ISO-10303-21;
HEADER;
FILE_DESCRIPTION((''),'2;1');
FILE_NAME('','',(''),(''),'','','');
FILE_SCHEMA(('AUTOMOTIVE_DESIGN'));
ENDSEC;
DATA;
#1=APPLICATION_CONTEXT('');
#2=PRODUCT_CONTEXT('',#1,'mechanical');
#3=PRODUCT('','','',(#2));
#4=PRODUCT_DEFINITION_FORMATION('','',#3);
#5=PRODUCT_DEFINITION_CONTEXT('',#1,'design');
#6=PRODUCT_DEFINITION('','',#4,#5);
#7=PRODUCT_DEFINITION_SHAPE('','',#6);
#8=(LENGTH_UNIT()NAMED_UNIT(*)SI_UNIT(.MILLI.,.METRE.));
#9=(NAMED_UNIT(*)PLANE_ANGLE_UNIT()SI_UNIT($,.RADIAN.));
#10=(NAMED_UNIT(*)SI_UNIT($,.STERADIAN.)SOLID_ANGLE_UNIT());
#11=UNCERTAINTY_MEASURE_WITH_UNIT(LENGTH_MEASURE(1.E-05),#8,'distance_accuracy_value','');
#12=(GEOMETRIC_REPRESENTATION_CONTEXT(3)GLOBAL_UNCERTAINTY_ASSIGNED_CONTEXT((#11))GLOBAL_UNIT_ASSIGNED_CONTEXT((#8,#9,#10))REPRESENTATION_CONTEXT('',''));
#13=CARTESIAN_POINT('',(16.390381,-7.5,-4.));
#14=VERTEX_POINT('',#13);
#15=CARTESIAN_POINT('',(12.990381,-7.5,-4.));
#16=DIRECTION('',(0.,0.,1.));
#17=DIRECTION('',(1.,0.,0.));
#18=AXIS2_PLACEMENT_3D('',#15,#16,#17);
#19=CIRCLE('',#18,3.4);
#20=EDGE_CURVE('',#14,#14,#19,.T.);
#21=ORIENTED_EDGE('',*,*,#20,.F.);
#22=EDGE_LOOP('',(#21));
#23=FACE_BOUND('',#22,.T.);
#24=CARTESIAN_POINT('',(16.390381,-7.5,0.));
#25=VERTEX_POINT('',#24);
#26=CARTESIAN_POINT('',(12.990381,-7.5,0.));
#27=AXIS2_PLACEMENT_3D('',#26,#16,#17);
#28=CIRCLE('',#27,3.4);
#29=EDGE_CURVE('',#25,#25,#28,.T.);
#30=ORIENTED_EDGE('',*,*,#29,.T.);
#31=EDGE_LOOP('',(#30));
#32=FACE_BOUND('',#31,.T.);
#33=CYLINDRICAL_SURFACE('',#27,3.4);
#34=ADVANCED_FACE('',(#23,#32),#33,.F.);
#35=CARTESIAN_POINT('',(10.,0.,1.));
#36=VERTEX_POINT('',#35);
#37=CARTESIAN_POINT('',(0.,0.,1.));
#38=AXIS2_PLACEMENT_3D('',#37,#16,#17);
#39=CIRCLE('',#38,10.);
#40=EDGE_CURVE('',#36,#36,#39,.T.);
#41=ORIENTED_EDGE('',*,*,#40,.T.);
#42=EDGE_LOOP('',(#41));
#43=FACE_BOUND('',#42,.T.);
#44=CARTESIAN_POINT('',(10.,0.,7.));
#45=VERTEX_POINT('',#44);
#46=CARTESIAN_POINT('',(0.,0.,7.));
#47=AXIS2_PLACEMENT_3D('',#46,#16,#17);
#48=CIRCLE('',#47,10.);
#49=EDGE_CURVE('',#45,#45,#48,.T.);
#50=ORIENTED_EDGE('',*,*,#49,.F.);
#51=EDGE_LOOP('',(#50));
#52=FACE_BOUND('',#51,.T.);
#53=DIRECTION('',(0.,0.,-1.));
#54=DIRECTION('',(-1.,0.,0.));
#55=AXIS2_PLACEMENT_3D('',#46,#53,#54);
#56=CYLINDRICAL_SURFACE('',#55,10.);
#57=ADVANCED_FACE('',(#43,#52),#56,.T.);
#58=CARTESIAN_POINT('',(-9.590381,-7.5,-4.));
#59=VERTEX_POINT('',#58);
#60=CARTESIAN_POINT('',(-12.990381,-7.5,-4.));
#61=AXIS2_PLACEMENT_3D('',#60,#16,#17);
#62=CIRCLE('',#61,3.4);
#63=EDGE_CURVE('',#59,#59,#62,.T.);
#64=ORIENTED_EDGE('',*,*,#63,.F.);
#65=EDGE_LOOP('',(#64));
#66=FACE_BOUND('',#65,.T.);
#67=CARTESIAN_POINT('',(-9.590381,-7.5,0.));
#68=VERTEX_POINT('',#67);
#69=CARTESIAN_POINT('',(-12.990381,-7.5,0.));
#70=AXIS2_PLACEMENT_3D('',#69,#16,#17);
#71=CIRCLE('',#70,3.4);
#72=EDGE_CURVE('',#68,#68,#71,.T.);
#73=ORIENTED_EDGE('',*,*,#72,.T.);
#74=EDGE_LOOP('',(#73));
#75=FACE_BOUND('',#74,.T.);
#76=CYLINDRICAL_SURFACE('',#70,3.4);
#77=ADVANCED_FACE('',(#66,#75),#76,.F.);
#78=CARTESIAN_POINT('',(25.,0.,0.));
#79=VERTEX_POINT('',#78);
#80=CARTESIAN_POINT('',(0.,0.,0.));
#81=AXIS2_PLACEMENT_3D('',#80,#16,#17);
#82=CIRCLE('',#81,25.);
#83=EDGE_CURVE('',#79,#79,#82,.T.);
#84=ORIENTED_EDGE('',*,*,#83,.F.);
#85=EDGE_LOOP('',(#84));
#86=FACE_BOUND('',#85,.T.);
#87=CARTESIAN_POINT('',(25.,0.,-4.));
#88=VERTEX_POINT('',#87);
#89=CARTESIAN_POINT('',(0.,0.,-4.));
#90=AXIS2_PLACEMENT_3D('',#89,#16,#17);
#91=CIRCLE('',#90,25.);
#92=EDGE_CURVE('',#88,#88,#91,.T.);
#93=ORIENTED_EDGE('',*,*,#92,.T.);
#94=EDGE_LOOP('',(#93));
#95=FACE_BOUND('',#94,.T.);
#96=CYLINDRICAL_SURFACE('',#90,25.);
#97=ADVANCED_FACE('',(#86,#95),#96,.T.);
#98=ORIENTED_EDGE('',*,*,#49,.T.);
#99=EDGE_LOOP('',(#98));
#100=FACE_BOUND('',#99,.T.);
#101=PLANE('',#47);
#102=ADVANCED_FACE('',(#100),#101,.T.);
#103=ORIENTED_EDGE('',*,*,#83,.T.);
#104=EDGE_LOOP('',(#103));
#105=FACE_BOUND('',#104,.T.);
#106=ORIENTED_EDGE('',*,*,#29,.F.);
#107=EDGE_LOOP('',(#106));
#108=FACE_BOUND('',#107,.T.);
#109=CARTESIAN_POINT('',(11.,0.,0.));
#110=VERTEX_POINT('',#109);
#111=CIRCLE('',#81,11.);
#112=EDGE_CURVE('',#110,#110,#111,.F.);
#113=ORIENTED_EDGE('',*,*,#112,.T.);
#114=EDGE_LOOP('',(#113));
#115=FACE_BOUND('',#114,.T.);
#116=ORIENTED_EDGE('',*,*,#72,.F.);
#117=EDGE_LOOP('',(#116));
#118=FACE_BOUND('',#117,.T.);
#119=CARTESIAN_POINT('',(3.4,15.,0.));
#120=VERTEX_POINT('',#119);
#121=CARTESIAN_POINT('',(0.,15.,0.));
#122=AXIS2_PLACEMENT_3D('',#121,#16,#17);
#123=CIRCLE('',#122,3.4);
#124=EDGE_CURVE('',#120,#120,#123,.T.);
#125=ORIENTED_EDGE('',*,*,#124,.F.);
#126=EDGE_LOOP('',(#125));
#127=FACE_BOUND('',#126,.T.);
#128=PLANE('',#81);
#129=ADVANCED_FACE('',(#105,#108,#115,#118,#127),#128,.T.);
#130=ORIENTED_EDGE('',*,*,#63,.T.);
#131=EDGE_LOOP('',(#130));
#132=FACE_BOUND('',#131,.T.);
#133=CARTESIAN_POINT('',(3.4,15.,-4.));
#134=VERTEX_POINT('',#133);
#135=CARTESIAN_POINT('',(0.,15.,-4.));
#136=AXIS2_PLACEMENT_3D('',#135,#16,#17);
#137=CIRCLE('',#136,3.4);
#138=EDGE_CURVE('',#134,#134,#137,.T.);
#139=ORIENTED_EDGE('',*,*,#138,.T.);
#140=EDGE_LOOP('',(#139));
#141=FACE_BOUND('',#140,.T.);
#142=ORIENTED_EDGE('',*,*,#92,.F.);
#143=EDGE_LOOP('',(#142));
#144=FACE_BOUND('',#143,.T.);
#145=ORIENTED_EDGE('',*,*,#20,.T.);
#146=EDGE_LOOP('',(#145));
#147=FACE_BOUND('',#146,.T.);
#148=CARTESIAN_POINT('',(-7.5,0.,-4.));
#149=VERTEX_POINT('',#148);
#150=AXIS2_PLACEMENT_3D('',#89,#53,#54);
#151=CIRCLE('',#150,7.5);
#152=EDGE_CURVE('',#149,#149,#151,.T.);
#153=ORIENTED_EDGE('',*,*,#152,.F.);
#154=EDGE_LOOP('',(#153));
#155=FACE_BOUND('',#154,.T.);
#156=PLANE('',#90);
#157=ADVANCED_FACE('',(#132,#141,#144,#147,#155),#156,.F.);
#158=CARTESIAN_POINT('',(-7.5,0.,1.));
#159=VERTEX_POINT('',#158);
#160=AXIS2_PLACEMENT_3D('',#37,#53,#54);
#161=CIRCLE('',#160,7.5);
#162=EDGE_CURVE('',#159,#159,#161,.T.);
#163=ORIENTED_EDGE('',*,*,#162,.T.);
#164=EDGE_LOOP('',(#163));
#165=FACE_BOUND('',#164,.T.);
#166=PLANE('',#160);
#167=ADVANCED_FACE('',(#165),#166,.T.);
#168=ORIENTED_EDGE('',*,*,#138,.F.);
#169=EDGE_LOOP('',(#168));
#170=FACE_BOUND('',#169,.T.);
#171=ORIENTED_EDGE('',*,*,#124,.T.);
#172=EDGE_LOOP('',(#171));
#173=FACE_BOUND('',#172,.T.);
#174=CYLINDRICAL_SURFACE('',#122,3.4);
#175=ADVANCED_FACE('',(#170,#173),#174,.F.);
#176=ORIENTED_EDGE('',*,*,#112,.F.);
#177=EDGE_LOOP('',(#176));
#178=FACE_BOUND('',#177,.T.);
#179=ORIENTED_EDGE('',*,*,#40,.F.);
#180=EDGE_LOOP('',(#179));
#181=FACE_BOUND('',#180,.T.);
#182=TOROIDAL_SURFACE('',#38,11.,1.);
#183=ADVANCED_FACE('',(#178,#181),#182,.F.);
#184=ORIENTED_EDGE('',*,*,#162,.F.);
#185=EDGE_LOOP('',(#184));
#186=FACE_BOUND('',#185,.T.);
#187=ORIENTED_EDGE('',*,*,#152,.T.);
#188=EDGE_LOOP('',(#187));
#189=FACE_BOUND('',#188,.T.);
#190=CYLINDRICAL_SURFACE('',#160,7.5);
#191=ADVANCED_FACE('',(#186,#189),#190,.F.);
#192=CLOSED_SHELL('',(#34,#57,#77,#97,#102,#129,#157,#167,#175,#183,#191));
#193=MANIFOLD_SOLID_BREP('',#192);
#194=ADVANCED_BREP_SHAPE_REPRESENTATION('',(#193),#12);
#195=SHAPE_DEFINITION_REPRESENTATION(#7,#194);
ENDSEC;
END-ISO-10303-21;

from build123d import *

# Parameters (mm, degrees)
SKETCH1_R             = 25
BOSS_EXTRUDE1_DEPTH   = 4
SKETCH2_R             = 10
BOSS_EXTRUDE2_DEPTH   = 7
FILLET1_R             = 1
SKETCH3_R             = 7.5
CUT_EXTRUDE1_DEPTH    = 5
F_6_0MM_DOWEL_HOLE1_D = 6.8


with BuildPart() as part:
    # Sketch1 → Boss-Extrude1 (new body)
    with BuildSketch(Plane.XY):
        Circle(SKETCH1_R)
    extrude(amount=-BOSS_EXTRUDE1_DEPTH)

    # Sketch2 → Boss-Extrude2 (add)
    with BuildSketch(Plane.XY):
        Circle(SKETCH2_R)
    extrude(amount=BOSS_EXTRUDE2_DEPTH)

    # Fillet1
    fillet1_edges = [part.edges().sort_by_distance(p)[0] for p in [
        (-10, 0, 0),
    ]]
    fillet(fillet1_edges, radius=FILLET1_R)

    # Sketch3 → Cut-Extrude1 (cut)
    with BuildSketch(Plane(origin=(0, 0, -4), x_dir=(-1, 0, 0), z_dir=(0, 0, -1))):
        Circle(SKETCH3_R)
    extrude(amount=-CUT_EXTRUDE1_DEPTH, mode=Mode.SUBTRACT)

    # Ø6.0mm Dowel Hole1 (through all)
    with Locations(Plane.XY):
        with Locations((-12.990381057, -7.5), (0, 15), (12.990381057, -7.5)):
            Hole(F_6_0MM_DOWEL_HOLE1_D / 2)


solid = part.part
